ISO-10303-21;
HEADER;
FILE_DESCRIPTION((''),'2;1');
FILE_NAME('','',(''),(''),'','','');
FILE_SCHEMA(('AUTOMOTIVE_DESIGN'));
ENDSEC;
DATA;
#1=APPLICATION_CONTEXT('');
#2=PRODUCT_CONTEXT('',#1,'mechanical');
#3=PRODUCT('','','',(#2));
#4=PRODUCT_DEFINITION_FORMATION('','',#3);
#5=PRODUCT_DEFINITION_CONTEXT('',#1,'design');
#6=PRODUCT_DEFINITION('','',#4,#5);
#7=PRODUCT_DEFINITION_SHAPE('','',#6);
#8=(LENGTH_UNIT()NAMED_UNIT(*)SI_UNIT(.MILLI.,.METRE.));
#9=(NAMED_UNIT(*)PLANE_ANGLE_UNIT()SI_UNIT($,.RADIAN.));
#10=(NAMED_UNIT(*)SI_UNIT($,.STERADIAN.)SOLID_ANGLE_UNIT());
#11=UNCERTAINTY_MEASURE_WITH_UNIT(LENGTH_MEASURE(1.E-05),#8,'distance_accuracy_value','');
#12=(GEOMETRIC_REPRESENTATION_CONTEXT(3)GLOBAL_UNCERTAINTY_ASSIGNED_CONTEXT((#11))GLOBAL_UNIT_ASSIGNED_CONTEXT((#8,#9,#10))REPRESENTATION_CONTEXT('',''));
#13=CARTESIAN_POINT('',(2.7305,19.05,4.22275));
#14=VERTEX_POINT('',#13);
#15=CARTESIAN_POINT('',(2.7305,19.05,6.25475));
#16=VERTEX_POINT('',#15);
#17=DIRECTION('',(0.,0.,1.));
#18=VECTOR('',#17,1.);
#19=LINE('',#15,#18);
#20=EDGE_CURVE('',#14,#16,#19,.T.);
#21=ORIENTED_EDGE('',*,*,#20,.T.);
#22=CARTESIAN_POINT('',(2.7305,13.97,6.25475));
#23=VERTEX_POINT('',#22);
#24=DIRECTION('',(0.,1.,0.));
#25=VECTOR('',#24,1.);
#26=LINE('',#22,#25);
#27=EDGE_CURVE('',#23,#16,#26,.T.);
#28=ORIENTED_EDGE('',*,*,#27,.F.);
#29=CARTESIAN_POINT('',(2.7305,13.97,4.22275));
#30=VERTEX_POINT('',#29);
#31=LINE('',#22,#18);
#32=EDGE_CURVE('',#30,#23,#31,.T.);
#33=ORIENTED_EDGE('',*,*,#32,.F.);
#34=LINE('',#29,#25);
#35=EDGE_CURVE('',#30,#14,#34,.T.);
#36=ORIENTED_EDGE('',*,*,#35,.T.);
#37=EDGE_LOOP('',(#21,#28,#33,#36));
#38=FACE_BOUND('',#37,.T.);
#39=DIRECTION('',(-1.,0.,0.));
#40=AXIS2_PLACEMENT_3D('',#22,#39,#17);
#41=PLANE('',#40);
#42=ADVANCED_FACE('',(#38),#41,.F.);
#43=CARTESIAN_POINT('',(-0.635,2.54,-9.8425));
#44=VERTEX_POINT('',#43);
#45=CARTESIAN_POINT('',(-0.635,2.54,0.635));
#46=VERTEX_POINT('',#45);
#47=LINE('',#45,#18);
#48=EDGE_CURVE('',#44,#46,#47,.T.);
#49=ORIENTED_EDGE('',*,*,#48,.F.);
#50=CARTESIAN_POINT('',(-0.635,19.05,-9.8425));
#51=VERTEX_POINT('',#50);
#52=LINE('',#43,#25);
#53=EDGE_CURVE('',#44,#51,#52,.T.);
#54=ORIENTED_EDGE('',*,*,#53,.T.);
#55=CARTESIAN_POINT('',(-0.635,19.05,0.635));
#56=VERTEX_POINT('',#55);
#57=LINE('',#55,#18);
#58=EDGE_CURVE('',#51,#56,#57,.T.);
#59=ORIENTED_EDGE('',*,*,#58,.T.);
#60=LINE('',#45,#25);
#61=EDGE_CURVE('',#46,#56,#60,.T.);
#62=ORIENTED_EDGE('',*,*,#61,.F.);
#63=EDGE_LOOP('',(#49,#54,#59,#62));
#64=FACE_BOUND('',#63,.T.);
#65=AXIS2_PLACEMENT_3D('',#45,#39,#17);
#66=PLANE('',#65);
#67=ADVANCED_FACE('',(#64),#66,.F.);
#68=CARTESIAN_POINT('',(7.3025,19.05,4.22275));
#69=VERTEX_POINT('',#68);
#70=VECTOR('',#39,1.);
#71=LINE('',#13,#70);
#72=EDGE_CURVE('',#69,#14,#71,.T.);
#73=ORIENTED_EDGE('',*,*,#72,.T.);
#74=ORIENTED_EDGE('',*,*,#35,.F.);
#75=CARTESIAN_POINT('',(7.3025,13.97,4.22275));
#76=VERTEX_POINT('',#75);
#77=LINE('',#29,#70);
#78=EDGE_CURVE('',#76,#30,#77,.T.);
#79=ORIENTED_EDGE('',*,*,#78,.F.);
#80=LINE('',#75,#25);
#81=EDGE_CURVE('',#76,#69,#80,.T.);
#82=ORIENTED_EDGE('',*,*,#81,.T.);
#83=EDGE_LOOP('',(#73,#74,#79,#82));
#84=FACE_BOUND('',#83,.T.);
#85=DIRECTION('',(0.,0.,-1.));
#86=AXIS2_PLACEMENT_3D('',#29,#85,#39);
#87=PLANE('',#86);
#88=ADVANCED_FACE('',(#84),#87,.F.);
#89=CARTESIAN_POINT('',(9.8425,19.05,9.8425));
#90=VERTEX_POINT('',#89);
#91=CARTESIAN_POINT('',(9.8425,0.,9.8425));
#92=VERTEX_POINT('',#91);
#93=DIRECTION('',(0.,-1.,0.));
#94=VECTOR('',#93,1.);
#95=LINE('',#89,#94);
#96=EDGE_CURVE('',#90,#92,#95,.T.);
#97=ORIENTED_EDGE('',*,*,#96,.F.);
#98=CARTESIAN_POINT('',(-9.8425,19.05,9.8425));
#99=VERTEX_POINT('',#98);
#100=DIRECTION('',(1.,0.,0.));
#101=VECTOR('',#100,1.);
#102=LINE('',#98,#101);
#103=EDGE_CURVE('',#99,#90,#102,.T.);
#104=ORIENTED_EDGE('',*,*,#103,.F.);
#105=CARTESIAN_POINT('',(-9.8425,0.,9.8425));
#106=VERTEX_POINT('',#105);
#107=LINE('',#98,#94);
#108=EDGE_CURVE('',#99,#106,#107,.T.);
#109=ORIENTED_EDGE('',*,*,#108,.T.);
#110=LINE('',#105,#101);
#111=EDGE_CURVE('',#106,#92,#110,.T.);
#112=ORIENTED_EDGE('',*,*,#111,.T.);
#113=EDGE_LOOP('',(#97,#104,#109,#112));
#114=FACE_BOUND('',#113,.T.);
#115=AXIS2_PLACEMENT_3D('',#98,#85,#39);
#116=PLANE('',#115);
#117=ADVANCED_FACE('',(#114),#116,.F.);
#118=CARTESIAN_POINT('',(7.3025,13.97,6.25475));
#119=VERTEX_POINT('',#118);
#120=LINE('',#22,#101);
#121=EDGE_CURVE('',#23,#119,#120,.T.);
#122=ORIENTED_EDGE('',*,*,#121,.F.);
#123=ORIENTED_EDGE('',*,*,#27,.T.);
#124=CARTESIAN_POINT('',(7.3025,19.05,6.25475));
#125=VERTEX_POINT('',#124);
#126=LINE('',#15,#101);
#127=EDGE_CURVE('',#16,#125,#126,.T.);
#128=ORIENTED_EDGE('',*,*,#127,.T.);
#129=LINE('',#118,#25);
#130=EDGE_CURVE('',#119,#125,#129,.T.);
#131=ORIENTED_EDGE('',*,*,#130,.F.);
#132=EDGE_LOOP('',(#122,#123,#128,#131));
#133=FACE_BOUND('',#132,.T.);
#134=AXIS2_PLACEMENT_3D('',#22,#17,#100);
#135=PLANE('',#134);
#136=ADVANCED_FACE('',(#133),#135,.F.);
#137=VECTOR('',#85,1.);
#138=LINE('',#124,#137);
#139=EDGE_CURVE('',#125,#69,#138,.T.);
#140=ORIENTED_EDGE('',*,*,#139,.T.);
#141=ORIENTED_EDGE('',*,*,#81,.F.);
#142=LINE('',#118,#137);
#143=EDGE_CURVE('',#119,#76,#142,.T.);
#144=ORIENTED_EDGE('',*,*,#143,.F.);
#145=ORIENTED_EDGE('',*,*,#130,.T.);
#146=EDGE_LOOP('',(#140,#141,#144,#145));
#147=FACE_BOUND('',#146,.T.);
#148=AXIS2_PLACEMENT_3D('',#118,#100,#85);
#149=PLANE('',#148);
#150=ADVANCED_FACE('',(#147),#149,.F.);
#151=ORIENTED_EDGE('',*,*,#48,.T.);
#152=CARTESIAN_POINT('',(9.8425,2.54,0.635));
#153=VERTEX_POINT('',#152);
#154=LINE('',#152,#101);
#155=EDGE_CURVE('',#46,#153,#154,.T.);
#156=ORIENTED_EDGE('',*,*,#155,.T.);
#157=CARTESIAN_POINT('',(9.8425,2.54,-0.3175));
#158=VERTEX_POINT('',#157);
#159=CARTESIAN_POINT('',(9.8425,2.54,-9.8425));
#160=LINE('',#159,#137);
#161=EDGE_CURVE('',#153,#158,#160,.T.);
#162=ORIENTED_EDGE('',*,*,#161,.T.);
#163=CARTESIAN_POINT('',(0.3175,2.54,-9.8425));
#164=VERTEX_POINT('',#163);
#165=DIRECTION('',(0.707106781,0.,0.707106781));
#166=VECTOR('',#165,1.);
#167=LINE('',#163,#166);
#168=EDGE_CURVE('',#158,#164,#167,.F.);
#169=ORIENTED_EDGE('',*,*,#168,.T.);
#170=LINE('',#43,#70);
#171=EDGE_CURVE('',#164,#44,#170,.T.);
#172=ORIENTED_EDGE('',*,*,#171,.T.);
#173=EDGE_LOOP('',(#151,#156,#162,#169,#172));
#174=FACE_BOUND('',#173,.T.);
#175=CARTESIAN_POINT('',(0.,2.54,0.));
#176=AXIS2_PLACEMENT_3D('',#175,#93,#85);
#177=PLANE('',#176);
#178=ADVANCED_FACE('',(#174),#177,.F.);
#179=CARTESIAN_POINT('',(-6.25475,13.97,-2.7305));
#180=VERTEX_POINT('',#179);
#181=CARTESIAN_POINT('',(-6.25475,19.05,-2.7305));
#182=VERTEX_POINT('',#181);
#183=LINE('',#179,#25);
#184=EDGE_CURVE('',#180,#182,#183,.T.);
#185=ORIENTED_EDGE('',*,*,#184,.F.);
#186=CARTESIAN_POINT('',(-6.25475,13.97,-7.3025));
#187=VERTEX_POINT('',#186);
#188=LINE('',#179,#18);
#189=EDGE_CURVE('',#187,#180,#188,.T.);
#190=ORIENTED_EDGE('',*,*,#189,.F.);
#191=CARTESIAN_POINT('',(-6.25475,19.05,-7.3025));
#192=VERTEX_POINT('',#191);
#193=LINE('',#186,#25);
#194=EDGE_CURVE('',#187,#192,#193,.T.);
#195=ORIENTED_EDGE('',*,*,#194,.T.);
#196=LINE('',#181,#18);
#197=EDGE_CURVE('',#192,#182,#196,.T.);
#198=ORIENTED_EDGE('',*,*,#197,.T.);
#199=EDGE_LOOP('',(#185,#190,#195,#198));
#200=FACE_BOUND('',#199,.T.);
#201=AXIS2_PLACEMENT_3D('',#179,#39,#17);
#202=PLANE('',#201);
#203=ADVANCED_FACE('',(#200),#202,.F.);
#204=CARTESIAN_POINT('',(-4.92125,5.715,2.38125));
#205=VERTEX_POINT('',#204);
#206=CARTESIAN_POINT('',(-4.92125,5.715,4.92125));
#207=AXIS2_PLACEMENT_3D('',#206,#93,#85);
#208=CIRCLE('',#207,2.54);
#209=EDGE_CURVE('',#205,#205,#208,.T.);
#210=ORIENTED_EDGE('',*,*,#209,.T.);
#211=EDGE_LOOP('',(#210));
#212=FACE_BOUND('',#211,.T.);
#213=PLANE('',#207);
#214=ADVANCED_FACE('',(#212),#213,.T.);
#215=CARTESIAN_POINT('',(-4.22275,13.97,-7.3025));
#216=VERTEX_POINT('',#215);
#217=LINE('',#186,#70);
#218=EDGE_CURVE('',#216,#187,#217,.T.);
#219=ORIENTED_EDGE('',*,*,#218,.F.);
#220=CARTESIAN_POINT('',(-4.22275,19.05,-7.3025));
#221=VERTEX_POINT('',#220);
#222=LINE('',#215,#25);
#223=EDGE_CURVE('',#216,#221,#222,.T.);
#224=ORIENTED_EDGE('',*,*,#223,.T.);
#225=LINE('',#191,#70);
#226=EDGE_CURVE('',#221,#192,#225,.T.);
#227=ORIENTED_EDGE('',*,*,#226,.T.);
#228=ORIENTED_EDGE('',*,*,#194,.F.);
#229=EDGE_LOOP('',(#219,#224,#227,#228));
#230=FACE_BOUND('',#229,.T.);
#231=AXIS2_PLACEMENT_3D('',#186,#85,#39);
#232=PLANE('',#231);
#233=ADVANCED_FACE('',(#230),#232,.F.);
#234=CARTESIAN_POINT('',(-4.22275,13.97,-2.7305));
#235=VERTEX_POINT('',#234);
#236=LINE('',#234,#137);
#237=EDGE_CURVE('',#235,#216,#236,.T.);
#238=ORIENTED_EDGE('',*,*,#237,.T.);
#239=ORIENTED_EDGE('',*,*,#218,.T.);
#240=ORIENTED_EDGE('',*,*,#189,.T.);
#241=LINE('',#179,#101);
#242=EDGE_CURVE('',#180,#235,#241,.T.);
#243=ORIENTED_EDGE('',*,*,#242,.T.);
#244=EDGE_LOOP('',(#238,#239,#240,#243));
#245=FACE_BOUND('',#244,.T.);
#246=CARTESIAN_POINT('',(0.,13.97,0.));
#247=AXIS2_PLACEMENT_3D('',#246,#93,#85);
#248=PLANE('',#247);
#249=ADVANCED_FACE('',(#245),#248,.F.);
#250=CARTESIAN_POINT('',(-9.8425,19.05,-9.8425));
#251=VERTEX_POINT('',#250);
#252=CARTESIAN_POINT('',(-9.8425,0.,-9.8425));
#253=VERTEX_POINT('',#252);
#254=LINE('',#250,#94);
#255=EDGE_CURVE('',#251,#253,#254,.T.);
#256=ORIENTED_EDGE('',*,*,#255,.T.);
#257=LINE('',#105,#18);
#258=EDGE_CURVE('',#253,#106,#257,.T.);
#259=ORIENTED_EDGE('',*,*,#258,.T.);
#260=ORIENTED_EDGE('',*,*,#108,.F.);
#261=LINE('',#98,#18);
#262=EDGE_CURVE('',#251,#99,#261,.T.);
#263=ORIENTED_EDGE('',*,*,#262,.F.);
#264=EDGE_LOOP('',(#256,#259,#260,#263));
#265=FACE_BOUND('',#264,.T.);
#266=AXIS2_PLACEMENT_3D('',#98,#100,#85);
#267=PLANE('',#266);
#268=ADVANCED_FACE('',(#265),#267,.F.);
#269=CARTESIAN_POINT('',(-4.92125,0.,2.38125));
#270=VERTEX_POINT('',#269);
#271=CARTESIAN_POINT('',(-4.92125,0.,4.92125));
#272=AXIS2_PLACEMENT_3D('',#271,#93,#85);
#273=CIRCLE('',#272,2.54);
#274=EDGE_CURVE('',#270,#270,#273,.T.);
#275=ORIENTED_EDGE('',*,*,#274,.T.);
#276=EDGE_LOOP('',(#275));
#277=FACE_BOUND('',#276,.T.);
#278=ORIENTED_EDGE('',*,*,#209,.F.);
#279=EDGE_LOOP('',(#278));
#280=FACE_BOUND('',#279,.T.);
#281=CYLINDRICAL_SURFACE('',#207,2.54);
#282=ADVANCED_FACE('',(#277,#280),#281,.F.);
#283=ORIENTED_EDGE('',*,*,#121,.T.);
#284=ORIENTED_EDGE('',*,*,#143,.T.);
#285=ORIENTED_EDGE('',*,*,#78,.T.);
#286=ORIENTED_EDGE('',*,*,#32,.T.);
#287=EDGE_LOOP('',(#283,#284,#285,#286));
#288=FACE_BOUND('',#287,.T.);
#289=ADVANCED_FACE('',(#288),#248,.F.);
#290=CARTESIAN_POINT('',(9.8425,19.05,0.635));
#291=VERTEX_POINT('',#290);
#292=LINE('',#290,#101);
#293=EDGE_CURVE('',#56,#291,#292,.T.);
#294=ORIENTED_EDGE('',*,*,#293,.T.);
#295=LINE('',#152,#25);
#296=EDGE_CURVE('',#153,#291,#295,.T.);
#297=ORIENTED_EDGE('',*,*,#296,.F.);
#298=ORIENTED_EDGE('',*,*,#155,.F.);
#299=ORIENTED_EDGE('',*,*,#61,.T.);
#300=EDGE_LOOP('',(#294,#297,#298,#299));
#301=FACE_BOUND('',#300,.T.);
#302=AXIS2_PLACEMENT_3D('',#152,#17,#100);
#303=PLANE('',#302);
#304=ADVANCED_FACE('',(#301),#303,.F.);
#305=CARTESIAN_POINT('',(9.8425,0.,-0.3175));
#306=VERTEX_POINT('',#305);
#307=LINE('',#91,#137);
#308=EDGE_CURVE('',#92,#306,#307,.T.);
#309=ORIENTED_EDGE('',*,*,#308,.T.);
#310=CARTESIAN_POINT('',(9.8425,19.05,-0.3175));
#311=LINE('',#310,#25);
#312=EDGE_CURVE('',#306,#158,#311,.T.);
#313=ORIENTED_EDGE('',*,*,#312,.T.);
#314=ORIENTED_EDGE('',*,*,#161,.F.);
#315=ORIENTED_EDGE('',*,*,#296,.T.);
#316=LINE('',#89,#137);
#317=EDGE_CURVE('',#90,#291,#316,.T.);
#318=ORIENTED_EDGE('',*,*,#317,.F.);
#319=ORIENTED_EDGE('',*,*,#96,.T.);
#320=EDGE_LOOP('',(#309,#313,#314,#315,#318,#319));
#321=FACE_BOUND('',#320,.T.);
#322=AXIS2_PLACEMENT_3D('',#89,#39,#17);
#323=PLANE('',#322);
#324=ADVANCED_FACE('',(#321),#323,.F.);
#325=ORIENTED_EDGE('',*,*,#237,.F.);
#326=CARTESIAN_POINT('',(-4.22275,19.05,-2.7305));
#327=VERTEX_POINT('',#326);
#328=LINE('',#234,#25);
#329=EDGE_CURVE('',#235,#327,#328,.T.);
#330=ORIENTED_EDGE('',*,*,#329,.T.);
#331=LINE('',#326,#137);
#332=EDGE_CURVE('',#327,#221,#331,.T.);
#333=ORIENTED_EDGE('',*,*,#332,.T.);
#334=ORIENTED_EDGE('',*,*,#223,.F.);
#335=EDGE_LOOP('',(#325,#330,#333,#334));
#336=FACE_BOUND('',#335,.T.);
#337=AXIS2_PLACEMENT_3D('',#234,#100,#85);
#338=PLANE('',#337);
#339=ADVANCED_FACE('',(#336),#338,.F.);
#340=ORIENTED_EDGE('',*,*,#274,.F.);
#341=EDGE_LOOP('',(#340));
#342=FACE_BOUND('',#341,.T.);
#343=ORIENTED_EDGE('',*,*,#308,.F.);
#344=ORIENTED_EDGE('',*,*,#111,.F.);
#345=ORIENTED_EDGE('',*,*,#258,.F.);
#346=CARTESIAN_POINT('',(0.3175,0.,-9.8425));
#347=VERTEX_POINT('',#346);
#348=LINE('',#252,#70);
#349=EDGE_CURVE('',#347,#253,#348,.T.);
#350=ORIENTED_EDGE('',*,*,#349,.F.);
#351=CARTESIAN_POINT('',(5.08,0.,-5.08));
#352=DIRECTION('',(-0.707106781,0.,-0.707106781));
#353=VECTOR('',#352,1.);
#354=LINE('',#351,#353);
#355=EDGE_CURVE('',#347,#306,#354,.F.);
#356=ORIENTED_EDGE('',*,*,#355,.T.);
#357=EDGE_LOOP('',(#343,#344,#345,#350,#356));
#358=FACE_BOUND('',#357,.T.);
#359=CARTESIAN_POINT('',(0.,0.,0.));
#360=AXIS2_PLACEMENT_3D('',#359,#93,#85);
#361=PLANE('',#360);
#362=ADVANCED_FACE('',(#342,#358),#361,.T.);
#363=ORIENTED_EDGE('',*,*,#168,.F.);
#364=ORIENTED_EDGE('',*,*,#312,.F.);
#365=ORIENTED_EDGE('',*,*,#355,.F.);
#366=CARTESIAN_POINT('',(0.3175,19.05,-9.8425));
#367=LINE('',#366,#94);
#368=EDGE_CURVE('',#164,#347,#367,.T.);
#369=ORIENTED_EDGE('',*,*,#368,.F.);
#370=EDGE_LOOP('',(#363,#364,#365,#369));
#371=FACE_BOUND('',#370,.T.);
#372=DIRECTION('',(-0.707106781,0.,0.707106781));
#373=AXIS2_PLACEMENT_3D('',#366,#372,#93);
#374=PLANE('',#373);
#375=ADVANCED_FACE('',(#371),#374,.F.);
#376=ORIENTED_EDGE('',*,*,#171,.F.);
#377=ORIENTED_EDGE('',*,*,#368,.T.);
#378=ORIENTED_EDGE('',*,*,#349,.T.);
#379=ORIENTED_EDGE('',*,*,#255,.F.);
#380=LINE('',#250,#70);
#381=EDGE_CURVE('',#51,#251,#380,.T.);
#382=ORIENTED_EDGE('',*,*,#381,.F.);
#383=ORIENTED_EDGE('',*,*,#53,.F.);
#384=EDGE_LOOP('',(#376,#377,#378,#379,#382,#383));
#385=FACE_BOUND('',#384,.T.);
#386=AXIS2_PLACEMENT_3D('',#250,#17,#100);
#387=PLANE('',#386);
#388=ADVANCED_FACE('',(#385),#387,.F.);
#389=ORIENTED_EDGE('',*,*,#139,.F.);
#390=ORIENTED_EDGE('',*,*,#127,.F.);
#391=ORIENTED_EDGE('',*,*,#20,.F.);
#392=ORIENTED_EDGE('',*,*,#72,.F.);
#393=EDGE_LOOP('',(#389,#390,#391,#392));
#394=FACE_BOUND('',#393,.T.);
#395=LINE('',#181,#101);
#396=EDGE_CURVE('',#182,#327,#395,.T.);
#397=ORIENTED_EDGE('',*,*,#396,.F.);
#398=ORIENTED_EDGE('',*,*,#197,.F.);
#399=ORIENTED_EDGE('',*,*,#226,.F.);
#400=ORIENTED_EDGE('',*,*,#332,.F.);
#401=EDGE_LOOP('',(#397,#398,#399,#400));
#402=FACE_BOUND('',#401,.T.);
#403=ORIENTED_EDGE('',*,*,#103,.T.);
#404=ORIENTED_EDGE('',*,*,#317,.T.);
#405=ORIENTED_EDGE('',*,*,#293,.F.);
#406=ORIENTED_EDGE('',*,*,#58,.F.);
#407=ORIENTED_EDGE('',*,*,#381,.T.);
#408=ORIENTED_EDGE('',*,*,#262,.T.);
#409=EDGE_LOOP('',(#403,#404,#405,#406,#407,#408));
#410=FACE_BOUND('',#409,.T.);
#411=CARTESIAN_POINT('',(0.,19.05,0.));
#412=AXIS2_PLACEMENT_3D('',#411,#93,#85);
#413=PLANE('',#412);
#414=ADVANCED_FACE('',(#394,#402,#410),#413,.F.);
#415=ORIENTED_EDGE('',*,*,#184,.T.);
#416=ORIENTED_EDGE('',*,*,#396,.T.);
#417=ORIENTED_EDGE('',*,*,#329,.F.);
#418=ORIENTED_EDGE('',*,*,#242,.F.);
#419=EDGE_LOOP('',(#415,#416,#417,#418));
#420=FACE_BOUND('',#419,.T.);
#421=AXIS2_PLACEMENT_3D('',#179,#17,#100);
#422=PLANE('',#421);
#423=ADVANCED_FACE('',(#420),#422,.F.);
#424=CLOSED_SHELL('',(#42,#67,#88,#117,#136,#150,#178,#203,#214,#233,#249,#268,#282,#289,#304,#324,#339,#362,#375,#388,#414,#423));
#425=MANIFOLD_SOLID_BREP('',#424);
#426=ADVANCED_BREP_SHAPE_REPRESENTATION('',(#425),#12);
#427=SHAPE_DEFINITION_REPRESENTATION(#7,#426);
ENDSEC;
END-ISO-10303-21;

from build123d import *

# Parameters (mm, degrees)
SKETCH3_W           = 19.685
SKETCH3_H           = 19.685
BOSS_EXTRUDE2_DEPTH = 19.05
SKETCH5_R           = 2.54
CUT_EXTRUDE2_DEPTH  = 5.715
SKETCH6_W           = 10.4775
SKETCH6_H           = 10.4775
CUT_EXTRUDE3_DEPTH  = 16.51
SKETCH7_W           = 2.032
SKETCH7_H           = 4.572
SKETCH7_W_2         = 4.572
SKETCH7_H_2         = 2.032
CUT_EXTRUDE4_DEPTH  = 5.08
CHAMFER1_SIZE       = 9.525


with BuildPart() as part:
    # Sketch3 → Boss-Extrude2 (new body)
    with BuildSketch(Plane(origin=(0, 0, 0), x_dir=(1, 0, 0), z_dir=(0, 1, 0))):
        Rectangle(SKETCH3_W, SKETCH3_H)
    extrude(amount=BOSS_EXTRUDE2_DEPTH)

    # Sketch5 → Cut-Extrude2 (cut)
    with BuildSketch(Plane.XZ):
        with Locations(Location((-4.92125, 4.92125, 0), (0, 0, 270))):
            Circle(SKETCH5_R)
    extrude(amount=-CUT_EXTRUDE2_DEPTH, mode=Mode.SUBTRACT)

    # Sketch6 → Cut-Extrude3 (cut)
    with BuildSketch(Plane(origin=(0, 19.05, 0), x_dir=(1, 0, 0), z_dir=(0, 1, 0))):
        with Locations((4.60375, 4.60375)):
            Rectangle(SKETCH6_W, SKETCH6_H)
    extrude(amount=-CUT_EXTRUDE3_DEPTH, mode=Mode.SUBTRACT)

    # Sketch7 → Cut-Extrude4 (cut)
    with BuildSketch(Plane(origin=(0, 19.05, 0), x_dir=(1, 0, 0), z_dir=(0, 1, 0))):
        with Locations((-5.23875, 5.0165)):
            Rectangle(SKETCH7_W, SKETCH7_H)
        with Locations((5.0165, -5.23875)):
            Rectangle(SKETCH7_W_2, SKETCH7_H_2)
    extrude(amount=-CUT_EXTRUDE4_DEPTH, mode=Mode.SUBTRACT)

    # Chamfer1
    chamfer1_edges = [part.edges().sort_by_distance(p)[0] for p in [
        (9.8425, 1.27, -9.8425),
    ]]
    chamfer(chamfer1_edges, length=CHAMFER1_SIZE)


solid = part.part
